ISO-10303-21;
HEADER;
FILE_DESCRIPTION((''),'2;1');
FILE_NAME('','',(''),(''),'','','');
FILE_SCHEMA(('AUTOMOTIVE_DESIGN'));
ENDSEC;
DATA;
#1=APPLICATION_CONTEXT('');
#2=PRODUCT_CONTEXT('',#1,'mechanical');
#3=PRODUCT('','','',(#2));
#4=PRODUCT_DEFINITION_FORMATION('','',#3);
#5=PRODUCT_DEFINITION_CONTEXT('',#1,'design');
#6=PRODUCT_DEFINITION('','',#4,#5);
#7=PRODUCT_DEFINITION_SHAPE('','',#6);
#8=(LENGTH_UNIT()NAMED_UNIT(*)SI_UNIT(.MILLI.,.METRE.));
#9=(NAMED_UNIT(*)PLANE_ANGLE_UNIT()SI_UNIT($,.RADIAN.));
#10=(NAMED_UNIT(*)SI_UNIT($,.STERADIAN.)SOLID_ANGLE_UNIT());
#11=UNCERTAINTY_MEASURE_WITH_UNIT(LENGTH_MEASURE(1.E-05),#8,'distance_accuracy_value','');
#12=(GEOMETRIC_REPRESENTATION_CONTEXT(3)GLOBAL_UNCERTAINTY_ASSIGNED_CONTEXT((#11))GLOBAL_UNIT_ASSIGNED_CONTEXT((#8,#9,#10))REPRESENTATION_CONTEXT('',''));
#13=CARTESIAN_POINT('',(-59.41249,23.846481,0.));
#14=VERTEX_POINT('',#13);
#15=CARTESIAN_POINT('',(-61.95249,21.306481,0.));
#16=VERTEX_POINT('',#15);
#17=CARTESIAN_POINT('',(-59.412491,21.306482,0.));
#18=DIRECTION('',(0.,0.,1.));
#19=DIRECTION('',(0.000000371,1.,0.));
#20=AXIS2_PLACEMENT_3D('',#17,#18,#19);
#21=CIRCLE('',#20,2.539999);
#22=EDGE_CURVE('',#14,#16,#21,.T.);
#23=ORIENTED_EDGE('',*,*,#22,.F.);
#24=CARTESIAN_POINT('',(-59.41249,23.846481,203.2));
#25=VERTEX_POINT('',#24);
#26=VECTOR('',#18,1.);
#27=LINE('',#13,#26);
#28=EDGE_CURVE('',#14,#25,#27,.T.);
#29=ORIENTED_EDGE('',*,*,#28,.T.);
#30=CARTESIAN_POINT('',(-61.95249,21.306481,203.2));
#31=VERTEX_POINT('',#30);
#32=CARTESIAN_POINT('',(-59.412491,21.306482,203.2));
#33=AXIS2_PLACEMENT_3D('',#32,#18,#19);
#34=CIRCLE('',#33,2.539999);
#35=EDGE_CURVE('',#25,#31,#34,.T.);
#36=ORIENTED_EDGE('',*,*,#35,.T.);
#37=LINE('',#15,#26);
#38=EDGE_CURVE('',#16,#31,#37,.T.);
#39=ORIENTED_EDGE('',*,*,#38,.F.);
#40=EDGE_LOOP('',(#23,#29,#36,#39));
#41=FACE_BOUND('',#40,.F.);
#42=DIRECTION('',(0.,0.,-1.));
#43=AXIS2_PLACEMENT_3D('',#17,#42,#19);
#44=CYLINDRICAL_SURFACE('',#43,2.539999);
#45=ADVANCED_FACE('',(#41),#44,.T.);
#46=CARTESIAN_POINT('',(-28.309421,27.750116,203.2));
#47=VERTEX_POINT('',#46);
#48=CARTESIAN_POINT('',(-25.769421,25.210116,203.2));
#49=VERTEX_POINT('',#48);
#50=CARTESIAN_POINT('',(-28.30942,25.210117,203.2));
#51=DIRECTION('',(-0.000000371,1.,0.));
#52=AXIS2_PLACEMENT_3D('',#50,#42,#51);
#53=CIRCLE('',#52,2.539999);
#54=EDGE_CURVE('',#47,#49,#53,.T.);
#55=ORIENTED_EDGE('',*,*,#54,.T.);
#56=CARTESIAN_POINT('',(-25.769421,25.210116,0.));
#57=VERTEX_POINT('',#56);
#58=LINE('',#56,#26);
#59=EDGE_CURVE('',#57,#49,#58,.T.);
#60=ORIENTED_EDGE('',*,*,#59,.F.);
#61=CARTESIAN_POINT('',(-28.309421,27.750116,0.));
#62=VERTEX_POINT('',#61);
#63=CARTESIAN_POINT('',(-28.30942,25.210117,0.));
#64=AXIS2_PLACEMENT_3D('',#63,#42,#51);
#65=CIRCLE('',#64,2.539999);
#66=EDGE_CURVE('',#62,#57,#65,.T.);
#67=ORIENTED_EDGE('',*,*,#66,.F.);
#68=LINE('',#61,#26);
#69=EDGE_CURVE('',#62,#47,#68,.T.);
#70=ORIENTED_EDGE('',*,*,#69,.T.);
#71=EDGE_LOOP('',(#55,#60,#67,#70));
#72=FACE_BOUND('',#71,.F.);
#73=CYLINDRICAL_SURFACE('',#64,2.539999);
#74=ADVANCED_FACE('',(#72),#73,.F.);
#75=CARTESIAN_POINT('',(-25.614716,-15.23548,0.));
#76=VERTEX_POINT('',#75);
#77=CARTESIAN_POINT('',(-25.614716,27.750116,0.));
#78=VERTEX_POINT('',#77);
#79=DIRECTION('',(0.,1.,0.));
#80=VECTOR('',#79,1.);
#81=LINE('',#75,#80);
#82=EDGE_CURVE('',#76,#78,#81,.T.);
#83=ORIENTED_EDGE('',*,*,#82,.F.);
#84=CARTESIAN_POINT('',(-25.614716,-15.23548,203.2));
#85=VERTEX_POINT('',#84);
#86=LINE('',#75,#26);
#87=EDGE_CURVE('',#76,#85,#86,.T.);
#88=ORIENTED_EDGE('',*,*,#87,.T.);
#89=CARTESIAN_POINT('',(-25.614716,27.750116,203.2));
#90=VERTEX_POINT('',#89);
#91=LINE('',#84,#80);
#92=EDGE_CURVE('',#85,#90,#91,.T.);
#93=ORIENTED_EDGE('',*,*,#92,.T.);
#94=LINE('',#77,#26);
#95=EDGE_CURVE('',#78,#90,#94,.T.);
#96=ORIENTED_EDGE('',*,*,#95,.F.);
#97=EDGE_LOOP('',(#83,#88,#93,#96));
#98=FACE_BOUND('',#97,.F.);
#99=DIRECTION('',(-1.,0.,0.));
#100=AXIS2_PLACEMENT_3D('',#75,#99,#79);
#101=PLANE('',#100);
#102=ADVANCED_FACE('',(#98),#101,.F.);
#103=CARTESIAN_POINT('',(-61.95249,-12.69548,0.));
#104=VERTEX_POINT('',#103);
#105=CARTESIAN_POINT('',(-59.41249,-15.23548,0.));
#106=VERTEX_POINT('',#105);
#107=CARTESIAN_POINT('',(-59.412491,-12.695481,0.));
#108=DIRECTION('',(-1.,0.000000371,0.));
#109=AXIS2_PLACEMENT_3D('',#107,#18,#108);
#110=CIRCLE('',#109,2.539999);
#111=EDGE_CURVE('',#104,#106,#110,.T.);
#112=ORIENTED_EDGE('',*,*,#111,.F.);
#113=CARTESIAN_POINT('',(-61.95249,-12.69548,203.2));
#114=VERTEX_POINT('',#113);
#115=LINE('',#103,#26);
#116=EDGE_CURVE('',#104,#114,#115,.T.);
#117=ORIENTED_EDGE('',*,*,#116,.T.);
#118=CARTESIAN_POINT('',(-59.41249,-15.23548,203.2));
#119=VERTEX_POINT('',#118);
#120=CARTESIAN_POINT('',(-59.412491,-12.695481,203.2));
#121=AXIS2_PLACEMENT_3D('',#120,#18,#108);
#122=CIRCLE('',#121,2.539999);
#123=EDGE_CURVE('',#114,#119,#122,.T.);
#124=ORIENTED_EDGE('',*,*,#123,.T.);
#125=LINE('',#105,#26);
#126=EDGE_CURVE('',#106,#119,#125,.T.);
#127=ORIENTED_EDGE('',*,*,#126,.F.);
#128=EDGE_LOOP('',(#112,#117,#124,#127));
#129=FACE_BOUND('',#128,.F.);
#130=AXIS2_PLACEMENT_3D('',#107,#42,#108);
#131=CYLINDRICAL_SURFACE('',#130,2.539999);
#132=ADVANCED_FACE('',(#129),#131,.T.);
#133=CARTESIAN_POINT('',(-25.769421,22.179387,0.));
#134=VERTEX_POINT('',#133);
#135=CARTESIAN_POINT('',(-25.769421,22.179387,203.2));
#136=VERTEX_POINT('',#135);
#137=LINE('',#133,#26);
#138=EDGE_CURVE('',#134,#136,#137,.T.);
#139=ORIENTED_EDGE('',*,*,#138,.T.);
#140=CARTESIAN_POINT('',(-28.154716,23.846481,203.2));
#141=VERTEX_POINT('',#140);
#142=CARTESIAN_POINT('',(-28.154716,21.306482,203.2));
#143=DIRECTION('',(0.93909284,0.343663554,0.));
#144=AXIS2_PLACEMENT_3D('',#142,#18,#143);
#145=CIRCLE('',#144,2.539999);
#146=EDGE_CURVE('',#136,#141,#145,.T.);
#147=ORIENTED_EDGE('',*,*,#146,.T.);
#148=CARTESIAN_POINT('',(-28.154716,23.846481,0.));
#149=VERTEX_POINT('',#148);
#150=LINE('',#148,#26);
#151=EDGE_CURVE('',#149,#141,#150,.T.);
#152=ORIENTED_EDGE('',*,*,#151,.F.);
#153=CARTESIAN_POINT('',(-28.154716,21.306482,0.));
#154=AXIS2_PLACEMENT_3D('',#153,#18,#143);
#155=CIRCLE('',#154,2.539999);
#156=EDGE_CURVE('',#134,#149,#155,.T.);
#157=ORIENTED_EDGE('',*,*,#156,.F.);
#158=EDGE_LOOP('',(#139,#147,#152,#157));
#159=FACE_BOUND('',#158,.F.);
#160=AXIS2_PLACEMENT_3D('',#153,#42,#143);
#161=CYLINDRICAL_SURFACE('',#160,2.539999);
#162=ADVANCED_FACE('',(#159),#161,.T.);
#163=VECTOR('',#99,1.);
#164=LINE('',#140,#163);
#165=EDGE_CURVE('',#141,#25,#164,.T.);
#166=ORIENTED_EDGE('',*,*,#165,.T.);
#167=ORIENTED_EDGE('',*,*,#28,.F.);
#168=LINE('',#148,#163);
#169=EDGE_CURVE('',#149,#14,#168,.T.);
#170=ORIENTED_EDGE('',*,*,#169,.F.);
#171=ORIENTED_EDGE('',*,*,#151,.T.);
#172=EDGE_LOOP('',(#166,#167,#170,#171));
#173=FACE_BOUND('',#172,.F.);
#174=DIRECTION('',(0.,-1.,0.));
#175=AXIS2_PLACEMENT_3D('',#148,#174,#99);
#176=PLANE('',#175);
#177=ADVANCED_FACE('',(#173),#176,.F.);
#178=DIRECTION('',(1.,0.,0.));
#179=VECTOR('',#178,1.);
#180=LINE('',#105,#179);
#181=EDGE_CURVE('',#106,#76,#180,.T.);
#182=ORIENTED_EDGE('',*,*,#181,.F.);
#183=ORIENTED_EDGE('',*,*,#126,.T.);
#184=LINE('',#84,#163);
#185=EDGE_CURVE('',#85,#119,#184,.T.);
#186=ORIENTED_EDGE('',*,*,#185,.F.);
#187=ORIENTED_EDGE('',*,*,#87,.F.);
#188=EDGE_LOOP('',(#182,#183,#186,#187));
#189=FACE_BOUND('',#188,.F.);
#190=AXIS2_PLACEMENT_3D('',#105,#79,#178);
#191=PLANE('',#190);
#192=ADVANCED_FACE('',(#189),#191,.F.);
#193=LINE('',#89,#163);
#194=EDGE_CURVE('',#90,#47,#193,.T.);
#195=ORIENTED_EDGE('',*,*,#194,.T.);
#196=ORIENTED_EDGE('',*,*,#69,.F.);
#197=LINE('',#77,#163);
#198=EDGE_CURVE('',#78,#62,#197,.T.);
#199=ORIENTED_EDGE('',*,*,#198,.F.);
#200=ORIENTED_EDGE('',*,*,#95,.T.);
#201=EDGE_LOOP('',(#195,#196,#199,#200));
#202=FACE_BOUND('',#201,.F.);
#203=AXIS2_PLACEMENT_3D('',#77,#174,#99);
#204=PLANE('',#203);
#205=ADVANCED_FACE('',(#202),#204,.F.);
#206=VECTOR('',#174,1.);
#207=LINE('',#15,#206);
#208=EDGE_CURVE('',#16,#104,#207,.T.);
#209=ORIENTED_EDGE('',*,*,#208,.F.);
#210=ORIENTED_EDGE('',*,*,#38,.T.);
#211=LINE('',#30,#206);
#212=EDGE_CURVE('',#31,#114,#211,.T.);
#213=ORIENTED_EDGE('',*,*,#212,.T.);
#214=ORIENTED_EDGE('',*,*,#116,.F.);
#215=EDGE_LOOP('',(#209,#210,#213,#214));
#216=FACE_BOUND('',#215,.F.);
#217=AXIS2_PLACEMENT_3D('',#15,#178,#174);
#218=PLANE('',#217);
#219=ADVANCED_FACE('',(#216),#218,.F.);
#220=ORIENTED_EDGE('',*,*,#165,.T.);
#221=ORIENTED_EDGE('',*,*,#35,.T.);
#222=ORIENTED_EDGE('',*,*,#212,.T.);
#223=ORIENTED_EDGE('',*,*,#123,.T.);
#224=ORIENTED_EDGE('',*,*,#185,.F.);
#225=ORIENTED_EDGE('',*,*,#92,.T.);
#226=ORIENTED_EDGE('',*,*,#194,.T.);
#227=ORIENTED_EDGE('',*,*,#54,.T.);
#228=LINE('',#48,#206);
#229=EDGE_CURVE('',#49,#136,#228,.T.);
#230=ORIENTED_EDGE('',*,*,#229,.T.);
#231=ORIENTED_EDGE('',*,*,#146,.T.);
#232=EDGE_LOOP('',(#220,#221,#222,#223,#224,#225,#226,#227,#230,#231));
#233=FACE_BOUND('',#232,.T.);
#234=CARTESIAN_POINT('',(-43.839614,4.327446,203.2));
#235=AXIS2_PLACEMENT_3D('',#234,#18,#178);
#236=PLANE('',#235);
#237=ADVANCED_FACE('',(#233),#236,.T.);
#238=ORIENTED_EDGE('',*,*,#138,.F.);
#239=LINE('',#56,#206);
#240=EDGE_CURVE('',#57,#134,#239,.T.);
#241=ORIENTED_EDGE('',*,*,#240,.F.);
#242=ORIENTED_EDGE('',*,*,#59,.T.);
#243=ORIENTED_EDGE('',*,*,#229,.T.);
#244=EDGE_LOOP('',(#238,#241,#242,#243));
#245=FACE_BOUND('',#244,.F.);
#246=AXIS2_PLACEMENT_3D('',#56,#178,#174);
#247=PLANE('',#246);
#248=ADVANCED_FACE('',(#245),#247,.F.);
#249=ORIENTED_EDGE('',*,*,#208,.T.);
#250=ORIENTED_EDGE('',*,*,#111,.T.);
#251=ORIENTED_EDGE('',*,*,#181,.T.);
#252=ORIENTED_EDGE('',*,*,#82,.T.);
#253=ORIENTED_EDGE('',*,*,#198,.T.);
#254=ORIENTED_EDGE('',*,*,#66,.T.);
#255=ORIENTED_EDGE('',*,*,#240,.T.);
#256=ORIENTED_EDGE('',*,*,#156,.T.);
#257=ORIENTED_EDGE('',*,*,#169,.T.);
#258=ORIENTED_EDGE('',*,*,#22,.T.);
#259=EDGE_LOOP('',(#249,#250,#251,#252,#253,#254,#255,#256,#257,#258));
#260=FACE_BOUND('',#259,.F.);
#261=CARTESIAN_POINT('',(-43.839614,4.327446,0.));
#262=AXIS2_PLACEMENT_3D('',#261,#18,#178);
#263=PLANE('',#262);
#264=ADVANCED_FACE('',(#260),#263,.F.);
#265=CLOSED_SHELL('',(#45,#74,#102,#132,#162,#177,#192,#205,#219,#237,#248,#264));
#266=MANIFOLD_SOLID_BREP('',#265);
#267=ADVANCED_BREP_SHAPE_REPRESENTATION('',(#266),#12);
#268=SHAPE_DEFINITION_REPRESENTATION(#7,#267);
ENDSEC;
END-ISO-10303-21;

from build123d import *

# Parameters (mm, degrees)
F1_DEPTH = 203.2
F2_DEPTH = 203.2


with BuildPart() as f1:
    # F0 (on Top) → F1 (new body)
    with BuildSketch(Plane.XY):
        with BuildLine():
            ThreePointArc((-61.95249, -12.69548), (-61.208542, -14.491531), (-59.41249, -15.23548))
            Line((-59.41249, -15.23548), (-28.309421, -15.23548))
            ThreePointArc((-28.309421, -15.23548), (-26.513369, -14.491531), (-25.769421, -12.69548))
            Line((-25.769421, -12.69548), (-25.769421, 22.179387))
            ThreePointArc((-25.769421, 22.179387), (-26.699653, 23.388401), (-28.154716, 23.846481))
            Line((-28.154716, 23.846481), (-59.41249, 23.846481))
            ThreePointArc((-59.41249, 23.846481), (-61.208542, 23.102532), (-61.95249, 21.306481))
            Line((-61.95249, 21.306481), (-61.95249, -12.69548))
        make_face()
    extrude(amount=F1_DEPTH)

    # F0 (on Top) → F2 (join)
    with BuildSketch(Plane.XY):
        with BuildLine():
            ThreePointArc((-61.95249, -12.69548), (-61.208542, -14.491531), (-59.41249, -15.23548))
            Line((-59.41249, -15.23548), (-28.309421, -15.23548))
            ThreePointArc((-28.309421, -15.23548), (-26.513369, -14.491531), (-25.769421, -12.69548))
            Line((-25.769421, -12.69548), (-25.769421, 22.179387))
            ThreePointArc((-25.769421, 22.179387), (-26.699653, 23.388401), (-28.154716, 23.846481))
            Line((-28.154716, 23.846481), (-59.41249, 23.846481))
            ThreePointArc((-59.41249, 23.846481), (-61.208542, 23.102532), (-61.95249, 21.306481))
            Line((-61.95249, 21.306481), (-61.95249, -12.69548))
        make_face()
        with BuildLine():
            ThreePointArc((-25.769421, -12.69548), (-26.513369, -14.491531), (-28.309421, -15.23548))
            Line((-28.309421, -15.23548), (-25.614716, -15.23548))
            Line((-25.614716, -15.23548), (-25.614716, 21.306481))
            ThreePointArc((-25.614716, 21.306481), (-25.653691, 21.749736), (-25.769421, 22.179387))
            Line((-25.769421, 22.179387), (-25.769421, -12.69548))
        make_face()
        with BuildLine():
            ThreePointArc((-25.769421, 22.179387), (-25.653691, 21.749736), (-25.614716, 21.306481))
            Line((-25.614716, 21.306481), (-25.614716, 27.750116))
            Line((-25.614716, 27.750116), (-28.309421, 27.750116))
            ThreePointArc((-28.309421, 27.750116), (-26.513369, 27.006167), (-25.769421, 25.210116))
            Line((-25.769421, 25.210116), (-25.769421, 22.179387))
        make_face()
    extrude(amount=F2_DEPTH)


solid = f1.part
